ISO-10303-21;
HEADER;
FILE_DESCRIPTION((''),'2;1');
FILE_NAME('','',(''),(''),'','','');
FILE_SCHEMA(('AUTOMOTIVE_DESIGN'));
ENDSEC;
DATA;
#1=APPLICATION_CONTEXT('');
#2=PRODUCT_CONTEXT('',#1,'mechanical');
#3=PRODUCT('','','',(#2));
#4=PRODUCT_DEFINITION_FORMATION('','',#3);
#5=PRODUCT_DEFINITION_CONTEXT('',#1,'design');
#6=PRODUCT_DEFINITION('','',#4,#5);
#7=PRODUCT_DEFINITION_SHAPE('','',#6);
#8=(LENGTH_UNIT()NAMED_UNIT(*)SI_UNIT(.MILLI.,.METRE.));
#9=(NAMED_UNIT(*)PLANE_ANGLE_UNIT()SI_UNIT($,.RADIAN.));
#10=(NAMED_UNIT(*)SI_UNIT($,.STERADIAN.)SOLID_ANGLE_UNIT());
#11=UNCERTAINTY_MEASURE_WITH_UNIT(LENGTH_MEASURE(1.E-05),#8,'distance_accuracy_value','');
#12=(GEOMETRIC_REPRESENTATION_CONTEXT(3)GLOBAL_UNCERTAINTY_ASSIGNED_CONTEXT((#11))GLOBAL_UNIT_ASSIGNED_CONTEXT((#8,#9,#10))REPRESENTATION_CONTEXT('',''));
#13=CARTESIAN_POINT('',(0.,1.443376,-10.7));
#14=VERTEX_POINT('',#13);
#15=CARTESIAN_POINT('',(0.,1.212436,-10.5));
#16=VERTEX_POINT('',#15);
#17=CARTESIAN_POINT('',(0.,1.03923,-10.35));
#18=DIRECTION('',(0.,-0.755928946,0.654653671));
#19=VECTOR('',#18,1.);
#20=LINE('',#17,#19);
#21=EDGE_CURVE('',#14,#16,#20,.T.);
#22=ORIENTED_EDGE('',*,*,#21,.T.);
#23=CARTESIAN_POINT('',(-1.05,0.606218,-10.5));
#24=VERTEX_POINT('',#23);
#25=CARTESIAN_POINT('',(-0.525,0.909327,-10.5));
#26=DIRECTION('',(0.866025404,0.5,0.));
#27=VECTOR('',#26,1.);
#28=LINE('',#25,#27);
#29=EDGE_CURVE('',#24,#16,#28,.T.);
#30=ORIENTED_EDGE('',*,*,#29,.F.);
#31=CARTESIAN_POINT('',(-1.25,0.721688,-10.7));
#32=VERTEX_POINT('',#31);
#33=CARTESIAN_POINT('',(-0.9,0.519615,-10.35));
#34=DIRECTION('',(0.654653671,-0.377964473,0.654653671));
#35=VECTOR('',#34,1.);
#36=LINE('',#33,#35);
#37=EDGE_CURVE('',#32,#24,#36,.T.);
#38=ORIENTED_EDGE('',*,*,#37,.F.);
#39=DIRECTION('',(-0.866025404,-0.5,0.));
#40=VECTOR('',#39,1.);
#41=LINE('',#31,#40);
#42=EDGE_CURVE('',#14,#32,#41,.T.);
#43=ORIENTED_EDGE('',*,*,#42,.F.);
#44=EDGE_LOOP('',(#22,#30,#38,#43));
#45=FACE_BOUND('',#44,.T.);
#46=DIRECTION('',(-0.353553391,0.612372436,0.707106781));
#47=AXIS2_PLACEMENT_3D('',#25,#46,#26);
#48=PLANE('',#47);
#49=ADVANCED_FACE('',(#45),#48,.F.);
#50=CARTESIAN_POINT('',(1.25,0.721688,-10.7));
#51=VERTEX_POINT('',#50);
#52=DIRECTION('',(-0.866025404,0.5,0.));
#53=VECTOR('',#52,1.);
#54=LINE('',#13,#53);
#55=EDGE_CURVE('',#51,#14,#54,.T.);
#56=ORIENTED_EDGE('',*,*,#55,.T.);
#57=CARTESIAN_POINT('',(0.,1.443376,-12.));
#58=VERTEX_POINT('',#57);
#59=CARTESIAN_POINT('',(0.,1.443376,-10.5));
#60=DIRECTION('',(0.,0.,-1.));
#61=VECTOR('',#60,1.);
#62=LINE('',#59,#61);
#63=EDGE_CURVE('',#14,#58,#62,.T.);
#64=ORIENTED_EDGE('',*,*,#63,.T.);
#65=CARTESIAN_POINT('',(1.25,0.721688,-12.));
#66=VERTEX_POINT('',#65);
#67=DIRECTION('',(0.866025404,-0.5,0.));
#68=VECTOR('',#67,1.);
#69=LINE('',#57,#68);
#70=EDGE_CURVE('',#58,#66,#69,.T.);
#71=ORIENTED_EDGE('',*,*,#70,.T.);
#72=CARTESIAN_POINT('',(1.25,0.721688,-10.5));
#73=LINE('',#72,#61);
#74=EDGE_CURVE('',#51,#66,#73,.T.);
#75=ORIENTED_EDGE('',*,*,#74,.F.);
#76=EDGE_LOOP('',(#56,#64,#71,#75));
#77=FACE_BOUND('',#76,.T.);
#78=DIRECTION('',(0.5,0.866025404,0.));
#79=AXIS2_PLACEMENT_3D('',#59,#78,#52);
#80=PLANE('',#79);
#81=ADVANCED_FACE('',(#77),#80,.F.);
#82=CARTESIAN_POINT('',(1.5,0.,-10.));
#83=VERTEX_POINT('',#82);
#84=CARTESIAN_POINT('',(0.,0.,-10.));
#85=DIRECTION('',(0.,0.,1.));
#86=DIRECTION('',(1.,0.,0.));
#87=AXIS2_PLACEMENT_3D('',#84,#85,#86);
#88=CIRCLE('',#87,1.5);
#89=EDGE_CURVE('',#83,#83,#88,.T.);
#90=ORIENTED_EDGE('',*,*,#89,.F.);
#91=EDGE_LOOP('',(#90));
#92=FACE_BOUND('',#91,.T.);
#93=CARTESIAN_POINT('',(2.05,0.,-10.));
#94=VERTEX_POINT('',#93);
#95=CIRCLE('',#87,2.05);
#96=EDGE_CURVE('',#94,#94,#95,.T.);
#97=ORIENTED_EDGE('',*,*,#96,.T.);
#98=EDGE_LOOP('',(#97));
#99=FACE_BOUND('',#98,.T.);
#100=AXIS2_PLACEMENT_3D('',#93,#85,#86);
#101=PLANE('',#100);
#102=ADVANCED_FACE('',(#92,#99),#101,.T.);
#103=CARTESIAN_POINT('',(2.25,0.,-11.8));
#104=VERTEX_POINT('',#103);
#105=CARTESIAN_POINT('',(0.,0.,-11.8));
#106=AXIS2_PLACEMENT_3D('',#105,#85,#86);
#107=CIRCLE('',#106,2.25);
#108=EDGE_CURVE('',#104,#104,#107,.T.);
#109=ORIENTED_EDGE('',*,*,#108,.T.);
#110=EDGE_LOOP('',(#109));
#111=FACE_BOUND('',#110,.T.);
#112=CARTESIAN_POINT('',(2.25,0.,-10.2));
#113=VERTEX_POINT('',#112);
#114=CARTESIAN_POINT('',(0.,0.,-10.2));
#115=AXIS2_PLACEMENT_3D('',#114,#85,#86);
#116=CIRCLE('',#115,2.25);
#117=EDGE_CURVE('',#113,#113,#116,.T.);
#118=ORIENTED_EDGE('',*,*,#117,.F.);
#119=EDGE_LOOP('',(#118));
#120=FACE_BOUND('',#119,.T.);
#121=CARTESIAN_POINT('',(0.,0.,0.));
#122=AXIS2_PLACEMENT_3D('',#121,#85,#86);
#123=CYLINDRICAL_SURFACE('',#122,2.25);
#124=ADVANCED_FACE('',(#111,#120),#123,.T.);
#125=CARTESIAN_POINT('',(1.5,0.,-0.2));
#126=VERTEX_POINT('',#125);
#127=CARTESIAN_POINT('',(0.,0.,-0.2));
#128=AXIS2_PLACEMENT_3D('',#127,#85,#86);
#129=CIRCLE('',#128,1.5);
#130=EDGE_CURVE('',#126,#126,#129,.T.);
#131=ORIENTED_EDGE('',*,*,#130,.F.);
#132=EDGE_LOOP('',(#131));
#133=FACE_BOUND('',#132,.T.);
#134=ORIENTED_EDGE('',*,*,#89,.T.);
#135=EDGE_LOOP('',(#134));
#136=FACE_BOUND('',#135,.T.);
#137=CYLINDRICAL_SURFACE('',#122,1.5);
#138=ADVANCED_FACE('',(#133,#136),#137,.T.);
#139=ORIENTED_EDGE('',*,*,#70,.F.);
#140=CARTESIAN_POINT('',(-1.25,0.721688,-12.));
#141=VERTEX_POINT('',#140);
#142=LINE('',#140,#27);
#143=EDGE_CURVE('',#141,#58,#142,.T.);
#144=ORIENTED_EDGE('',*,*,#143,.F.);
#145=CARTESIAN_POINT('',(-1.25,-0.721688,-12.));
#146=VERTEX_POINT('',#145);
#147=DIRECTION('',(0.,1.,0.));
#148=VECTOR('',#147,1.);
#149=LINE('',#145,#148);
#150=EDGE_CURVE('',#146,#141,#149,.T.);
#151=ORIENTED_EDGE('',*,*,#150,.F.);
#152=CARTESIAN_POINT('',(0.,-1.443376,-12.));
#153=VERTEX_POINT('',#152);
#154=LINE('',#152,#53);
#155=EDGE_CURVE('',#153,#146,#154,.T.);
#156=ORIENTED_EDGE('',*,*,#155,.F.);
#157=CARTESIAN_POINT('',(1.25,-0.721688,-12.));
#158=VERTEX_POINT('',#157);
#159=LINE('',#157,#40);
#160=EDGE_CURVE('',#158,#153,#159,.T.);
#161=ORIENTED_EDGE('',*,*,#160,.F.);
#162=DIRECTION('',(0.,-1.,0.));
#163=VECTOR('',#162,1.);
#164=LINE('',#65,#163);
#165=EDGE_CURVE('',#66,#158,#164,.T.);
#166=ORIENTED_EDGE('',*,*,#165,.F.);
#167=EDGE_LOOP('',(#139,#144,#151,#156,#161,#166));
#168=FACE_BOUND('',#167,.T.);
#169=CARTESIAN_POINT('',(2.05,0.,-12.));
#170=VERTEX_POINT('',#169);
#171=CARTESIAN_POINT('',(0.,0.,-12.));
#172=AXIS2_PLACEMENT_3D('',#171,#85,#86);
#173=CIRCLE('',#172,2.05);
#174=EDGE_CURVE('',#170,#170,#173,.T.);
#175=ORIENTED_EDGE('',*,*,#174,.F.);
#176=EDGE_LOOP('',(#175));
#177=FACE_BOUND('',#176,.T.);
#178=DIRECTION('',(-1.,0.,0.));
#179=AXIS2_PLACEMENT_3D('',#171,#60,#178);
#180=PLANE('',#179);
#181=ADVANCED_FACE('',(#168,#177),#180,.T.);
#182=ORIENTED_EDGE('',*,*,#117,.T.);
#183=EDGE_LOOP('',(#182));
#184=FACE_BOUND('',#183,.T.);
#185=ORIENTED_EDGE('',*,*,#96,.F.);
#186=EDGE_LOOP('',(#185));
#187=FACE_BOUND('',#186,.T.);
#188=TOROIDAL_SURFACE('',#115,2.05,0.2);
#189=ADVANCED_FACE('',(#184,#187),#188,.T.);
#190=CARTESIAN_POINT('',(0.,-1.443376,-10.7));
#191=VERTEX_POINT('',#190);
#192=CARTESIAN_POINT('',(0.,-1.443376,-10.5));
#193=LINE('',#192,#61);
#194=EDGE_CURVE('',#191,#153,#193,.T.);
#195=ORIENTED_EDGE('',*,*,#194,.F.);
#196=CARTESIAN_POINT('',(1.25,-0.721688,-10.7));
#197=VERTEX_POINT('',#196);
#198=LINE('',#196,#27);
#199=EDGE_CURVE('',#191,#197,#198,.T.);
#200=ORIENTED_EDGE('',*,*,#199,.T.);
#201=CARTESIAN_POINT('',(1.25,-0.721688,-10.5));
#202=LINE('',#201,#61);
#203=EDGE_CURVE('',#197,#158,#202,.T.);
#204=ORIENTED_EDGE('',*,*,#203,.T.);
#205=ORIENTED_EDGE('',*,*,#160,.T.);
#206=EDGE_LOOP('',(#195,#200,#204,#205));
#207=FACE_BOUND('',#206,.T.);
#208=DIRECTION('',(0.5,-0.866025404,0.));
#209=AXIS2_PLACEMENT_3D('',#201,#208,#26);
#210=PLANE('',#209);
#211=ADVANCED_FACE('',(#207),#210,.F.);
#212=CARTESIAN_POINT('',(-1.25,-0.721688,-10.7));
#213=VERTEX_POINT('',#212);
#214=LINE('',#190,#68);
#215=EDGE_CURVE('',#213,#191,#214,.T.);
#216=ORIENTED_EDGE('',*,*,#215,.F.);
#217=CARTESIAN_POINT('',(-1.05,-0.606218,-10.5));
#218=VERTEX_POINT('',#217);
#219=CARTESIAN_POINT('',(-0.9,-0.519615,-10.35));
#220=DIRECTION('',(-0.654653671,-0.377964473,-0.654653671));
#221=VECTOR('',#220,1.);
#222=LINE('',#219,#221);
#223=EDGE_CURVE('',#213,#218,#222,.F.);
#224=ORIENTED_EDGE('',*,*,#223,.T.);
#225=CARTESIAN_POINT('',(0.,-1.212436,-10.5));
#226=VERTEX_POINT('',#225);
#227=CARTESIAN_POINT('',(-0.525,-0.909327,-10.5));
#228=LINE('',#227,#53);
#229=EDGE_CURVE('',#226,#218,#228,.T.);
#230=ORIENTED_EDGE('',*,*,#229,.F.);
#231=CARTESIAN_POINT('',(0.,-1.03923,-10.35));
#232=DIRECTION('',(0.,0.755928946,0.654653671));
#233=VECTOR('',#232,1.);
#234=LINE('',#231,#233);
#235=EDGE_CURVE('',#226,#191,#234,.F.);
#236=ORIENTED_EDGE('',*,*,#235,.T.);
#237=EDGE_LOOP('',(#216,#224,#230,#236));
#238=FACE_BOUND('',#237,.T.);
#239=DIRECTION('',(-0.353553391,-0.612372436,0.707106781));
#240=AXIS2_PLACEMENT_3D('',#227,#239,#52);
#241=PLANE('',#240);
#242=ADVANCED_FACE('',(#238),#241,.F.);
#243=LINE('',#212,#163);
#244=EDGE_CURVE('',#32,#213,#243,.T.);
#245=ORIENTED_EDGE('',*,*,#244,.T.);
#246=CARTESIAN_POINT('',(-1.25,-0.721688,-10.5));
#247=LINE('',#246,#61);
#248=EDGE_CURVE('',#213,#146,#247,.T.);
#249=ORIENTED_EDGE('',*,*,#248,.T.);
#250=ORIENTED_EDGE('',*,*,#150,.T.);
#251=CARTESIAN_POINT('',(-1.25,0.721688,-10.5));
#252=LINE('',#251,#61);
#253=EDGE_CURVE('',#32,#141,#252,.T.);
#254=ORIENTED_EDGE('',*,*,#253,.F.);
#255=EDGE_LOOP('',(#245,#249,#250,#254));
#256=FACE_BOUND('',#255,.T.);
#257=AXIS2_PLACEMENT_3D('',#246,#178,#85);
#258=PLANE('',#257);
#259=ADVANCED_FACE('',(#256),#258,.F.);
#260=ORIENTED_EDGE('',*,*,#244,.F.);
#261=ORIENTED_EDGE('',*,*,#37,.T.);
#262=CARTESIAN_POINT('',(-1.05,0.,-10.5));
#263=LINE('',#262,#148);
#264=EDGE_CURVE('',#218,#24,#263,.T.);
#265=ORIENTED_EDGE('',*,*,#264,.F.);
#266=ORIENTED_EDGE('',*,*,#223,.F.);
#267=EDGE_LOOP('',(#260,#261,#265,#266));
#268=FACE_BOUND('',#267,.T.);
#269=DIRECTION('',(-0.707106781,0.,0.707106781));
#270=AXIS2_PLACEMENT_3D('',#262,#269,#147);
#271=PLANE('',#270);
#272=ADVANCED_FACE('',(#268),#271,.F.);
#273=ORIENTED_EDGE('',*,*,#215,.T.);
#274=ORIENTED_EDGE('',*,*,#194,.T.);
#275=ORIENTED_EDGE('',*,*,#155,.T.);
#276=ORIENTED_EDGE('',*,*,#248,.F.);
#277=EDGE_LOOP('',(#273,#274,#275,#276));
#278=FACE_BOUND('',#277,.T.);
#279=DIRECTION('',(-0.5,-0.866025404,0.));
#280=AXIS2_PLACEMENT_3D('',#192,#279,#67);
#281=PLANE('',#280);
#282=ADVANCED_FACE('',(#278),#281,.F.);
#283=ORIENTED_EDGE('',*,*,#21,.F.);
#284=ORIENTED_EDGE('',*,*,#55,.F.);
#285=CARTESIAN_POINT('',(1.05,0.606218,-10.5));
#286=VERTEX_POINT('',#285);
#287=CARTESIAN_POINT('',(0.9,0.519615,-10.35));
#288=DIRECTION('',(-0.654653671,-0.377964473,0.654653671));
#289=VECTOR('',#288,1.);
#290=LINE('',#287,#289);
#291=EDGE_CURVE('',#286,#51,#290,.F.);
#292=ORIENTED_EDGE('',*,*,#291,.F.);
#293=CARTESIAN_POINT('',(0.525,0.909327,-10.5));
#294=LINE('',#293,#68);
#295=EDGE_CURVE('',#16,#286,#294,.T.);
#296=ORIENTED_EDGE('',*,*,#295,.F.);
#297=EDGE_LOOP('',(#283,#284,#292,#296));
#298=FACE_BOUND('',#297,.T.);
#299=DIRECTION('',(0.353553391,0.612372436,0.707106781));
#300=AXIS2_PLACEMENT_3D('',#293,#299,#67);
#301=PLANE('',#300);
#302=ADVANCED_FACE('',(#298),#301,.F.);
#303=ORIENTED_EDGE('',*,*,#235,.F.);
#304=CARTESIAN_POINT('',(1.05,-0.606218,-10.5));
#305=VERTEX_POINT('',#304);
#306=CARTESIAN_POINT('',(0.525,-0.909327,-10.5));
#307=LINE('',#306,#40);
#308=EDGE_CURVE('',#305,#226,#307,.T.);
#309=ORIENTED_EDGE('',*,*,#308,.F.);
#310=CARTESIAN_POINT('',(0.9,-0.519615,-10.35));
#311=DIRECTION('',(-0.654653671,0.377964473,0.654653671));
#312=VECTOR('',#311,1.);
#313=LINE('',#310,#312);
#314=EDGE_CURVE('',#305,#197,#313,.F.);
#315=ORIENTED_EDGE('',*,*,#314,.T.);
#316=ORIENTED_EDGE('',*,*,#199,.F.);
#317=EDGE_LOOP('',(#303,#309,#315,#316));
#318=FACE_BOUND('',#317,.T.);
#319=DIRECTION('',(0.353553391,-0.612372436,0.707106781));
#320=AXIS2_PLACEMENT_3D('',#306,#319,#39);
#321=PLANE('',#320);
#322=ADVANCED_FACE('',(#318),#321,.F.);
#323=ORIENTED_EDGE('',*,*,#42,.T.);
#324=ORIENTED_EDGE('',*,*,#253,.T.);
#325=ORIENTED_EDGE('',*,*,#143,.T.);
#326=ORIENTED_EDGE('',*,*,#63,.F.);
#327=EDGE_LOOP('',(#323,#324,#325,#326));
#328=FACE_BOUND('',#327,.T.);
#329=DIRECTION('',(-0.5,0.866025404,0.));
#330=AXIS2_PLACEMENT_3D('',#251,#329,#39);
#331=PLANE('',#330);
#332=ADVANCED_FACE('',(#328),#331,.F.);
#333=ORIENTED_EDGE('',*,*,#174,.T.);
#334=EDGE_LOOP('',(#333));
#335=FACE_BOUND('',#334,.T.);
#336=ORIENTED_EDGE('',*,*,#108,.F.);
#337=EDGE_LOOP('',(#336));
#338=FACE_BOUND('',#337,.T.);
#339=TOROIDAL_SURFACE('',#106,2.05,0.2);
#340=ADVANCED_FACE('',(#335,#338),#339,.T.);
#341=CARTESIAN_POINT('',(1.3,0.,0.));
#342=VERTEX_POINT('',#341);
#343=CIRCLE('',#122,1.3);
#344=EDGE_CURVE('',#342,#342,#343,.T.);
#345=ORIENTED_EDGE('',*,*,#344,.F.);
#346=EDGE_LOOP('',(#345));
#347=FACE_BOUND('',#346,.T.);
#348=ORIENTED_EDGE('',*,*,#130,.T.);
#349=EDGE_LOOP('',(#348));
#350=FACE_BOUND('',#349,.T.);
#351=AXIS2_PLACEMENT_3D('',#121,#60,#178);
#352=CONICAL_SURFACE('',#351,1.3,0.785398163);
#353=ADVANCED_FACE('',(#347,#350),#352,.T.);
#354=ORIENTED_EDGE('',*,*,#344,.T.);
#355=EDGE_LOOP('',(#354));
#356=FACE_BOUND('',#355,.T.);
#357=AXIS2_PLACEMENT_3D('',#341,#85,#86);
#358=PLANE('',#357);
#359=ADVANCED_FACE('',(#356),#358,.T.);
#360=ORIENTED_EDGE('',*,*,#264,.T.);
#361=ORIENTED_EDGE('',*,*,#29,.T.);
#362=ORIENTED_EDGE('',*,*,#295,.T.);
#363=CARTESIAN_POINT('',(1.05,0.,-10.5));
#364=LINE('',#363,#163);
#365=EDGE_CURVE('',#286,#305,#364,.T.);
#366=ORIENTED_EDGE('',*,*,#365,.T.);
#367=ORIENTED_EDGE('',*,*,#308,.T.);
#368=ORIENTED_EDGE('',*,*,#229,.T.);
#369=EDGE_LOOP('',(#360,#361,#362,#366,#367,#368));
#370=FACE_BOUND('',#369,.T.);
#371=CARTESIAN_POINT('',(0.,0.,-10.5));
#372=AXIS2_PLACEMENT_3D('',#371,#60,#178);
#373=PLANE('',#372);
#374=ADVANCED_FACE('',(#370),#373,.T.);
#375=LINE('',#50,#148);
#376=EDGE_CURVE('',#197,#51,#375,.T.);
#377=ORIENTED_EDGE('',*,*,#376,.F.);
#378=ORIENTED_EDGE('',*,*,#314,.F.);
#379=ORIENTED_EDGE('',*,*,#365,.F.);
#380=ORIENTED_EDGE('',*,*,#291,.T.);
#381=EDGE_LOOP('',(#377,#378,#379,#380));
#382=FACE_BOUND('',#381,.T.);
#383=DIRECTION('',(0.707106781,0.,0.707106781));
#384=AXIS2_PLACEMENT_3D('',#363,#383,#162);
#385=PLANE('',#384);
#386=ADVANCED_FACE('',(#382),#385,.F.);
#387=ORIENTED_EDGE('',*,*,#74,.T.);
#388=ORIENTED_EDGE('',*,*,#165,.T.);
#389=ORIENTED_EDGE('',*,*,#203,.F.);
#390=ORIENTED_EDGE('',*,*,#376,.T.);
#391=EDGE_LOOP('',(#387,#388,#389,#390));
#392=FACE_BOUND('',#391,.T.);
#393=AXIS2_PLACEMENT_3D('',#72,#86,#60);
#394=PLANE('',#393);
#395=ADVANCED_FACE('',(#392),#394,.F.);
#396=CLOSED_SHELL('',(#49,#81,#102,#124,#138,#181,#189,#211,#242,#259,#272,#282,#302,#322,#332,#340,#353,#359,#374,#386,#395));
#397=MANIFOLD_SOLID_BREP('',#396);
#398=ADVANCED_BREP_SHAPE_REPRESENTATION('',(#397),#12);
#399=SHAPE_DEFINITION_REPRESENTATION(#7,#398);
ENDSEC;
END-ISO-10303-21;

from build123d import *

# Parameters (mm, degrees)
CUT_EXTRUDE1_DEPTH = 1.5
CHAMFER1_SIZE      = 0.2


with BuildPart() as part:
    # Sketch1 → Revolve1 (revolve)
    with BuildSketch(Plane(origin=(0, 0, 0), x_dir=(1, 0, 0), z_dir=(0, 1, 0))):
        with BuildLine():
            Line((0, 12), (2.05, 12))
            ThreePointArc((2.05, 12), (2.191421356, 11.941421356), (2.25, 11.8))
            Line((2.25, 11.8), (2.25, 10.2))
            ThreePointArc((2.25, 10.2), (2.191421356, 10.058578644), (2.05, 10))
            Line((2.05, 10), (1.5, 10))
            Line((1.5, 10), (1.5, 0.2))
            Line((1.5, 0.2), (1.3, 0))
            Line((1.3, 0), (0, 0))
            Line((0, 0), (0, 12))
        make_face()
    revolve(axis=Axis((0, 0, 0), (0, 0, -1)))

    # Sketch2 → Cut-Extrude1 (cut)
    with BuildSketch(Plane(origin=(0, 0, -12), x_dir=(-1, 0, 0), z_dir=(0, 0, -1))):
        Polygon((1.25, 0.721687836), (0, 1.443375673), (-1.25, 0.721687836), (-1.25, -0.721687836), (0, -1.443375673), (1.25, -0.721687836), align=None)
    extrude(amount=-CUT_EXTRUDE1_DEPTH, mode=Mode.SUBTRACT)

    # Chamfer1
    chamfer1_edges = [part.edges().sort_by_distance(p)[0] for p in [
        (-1.25, 0, -10.5),
        (-0.625, -1.082531755, -10.5),
        (0.625, -1.082531755, -10.5),
        (1.25, 0, -10.5),
        (0.625, 1.082531755, -10.5),
        (-0.625, 1.082531755, -10.5),
    ]]
    chamfer(chamfer1_edges, length=CHAMFER1_SIZE)


solid = part.part
